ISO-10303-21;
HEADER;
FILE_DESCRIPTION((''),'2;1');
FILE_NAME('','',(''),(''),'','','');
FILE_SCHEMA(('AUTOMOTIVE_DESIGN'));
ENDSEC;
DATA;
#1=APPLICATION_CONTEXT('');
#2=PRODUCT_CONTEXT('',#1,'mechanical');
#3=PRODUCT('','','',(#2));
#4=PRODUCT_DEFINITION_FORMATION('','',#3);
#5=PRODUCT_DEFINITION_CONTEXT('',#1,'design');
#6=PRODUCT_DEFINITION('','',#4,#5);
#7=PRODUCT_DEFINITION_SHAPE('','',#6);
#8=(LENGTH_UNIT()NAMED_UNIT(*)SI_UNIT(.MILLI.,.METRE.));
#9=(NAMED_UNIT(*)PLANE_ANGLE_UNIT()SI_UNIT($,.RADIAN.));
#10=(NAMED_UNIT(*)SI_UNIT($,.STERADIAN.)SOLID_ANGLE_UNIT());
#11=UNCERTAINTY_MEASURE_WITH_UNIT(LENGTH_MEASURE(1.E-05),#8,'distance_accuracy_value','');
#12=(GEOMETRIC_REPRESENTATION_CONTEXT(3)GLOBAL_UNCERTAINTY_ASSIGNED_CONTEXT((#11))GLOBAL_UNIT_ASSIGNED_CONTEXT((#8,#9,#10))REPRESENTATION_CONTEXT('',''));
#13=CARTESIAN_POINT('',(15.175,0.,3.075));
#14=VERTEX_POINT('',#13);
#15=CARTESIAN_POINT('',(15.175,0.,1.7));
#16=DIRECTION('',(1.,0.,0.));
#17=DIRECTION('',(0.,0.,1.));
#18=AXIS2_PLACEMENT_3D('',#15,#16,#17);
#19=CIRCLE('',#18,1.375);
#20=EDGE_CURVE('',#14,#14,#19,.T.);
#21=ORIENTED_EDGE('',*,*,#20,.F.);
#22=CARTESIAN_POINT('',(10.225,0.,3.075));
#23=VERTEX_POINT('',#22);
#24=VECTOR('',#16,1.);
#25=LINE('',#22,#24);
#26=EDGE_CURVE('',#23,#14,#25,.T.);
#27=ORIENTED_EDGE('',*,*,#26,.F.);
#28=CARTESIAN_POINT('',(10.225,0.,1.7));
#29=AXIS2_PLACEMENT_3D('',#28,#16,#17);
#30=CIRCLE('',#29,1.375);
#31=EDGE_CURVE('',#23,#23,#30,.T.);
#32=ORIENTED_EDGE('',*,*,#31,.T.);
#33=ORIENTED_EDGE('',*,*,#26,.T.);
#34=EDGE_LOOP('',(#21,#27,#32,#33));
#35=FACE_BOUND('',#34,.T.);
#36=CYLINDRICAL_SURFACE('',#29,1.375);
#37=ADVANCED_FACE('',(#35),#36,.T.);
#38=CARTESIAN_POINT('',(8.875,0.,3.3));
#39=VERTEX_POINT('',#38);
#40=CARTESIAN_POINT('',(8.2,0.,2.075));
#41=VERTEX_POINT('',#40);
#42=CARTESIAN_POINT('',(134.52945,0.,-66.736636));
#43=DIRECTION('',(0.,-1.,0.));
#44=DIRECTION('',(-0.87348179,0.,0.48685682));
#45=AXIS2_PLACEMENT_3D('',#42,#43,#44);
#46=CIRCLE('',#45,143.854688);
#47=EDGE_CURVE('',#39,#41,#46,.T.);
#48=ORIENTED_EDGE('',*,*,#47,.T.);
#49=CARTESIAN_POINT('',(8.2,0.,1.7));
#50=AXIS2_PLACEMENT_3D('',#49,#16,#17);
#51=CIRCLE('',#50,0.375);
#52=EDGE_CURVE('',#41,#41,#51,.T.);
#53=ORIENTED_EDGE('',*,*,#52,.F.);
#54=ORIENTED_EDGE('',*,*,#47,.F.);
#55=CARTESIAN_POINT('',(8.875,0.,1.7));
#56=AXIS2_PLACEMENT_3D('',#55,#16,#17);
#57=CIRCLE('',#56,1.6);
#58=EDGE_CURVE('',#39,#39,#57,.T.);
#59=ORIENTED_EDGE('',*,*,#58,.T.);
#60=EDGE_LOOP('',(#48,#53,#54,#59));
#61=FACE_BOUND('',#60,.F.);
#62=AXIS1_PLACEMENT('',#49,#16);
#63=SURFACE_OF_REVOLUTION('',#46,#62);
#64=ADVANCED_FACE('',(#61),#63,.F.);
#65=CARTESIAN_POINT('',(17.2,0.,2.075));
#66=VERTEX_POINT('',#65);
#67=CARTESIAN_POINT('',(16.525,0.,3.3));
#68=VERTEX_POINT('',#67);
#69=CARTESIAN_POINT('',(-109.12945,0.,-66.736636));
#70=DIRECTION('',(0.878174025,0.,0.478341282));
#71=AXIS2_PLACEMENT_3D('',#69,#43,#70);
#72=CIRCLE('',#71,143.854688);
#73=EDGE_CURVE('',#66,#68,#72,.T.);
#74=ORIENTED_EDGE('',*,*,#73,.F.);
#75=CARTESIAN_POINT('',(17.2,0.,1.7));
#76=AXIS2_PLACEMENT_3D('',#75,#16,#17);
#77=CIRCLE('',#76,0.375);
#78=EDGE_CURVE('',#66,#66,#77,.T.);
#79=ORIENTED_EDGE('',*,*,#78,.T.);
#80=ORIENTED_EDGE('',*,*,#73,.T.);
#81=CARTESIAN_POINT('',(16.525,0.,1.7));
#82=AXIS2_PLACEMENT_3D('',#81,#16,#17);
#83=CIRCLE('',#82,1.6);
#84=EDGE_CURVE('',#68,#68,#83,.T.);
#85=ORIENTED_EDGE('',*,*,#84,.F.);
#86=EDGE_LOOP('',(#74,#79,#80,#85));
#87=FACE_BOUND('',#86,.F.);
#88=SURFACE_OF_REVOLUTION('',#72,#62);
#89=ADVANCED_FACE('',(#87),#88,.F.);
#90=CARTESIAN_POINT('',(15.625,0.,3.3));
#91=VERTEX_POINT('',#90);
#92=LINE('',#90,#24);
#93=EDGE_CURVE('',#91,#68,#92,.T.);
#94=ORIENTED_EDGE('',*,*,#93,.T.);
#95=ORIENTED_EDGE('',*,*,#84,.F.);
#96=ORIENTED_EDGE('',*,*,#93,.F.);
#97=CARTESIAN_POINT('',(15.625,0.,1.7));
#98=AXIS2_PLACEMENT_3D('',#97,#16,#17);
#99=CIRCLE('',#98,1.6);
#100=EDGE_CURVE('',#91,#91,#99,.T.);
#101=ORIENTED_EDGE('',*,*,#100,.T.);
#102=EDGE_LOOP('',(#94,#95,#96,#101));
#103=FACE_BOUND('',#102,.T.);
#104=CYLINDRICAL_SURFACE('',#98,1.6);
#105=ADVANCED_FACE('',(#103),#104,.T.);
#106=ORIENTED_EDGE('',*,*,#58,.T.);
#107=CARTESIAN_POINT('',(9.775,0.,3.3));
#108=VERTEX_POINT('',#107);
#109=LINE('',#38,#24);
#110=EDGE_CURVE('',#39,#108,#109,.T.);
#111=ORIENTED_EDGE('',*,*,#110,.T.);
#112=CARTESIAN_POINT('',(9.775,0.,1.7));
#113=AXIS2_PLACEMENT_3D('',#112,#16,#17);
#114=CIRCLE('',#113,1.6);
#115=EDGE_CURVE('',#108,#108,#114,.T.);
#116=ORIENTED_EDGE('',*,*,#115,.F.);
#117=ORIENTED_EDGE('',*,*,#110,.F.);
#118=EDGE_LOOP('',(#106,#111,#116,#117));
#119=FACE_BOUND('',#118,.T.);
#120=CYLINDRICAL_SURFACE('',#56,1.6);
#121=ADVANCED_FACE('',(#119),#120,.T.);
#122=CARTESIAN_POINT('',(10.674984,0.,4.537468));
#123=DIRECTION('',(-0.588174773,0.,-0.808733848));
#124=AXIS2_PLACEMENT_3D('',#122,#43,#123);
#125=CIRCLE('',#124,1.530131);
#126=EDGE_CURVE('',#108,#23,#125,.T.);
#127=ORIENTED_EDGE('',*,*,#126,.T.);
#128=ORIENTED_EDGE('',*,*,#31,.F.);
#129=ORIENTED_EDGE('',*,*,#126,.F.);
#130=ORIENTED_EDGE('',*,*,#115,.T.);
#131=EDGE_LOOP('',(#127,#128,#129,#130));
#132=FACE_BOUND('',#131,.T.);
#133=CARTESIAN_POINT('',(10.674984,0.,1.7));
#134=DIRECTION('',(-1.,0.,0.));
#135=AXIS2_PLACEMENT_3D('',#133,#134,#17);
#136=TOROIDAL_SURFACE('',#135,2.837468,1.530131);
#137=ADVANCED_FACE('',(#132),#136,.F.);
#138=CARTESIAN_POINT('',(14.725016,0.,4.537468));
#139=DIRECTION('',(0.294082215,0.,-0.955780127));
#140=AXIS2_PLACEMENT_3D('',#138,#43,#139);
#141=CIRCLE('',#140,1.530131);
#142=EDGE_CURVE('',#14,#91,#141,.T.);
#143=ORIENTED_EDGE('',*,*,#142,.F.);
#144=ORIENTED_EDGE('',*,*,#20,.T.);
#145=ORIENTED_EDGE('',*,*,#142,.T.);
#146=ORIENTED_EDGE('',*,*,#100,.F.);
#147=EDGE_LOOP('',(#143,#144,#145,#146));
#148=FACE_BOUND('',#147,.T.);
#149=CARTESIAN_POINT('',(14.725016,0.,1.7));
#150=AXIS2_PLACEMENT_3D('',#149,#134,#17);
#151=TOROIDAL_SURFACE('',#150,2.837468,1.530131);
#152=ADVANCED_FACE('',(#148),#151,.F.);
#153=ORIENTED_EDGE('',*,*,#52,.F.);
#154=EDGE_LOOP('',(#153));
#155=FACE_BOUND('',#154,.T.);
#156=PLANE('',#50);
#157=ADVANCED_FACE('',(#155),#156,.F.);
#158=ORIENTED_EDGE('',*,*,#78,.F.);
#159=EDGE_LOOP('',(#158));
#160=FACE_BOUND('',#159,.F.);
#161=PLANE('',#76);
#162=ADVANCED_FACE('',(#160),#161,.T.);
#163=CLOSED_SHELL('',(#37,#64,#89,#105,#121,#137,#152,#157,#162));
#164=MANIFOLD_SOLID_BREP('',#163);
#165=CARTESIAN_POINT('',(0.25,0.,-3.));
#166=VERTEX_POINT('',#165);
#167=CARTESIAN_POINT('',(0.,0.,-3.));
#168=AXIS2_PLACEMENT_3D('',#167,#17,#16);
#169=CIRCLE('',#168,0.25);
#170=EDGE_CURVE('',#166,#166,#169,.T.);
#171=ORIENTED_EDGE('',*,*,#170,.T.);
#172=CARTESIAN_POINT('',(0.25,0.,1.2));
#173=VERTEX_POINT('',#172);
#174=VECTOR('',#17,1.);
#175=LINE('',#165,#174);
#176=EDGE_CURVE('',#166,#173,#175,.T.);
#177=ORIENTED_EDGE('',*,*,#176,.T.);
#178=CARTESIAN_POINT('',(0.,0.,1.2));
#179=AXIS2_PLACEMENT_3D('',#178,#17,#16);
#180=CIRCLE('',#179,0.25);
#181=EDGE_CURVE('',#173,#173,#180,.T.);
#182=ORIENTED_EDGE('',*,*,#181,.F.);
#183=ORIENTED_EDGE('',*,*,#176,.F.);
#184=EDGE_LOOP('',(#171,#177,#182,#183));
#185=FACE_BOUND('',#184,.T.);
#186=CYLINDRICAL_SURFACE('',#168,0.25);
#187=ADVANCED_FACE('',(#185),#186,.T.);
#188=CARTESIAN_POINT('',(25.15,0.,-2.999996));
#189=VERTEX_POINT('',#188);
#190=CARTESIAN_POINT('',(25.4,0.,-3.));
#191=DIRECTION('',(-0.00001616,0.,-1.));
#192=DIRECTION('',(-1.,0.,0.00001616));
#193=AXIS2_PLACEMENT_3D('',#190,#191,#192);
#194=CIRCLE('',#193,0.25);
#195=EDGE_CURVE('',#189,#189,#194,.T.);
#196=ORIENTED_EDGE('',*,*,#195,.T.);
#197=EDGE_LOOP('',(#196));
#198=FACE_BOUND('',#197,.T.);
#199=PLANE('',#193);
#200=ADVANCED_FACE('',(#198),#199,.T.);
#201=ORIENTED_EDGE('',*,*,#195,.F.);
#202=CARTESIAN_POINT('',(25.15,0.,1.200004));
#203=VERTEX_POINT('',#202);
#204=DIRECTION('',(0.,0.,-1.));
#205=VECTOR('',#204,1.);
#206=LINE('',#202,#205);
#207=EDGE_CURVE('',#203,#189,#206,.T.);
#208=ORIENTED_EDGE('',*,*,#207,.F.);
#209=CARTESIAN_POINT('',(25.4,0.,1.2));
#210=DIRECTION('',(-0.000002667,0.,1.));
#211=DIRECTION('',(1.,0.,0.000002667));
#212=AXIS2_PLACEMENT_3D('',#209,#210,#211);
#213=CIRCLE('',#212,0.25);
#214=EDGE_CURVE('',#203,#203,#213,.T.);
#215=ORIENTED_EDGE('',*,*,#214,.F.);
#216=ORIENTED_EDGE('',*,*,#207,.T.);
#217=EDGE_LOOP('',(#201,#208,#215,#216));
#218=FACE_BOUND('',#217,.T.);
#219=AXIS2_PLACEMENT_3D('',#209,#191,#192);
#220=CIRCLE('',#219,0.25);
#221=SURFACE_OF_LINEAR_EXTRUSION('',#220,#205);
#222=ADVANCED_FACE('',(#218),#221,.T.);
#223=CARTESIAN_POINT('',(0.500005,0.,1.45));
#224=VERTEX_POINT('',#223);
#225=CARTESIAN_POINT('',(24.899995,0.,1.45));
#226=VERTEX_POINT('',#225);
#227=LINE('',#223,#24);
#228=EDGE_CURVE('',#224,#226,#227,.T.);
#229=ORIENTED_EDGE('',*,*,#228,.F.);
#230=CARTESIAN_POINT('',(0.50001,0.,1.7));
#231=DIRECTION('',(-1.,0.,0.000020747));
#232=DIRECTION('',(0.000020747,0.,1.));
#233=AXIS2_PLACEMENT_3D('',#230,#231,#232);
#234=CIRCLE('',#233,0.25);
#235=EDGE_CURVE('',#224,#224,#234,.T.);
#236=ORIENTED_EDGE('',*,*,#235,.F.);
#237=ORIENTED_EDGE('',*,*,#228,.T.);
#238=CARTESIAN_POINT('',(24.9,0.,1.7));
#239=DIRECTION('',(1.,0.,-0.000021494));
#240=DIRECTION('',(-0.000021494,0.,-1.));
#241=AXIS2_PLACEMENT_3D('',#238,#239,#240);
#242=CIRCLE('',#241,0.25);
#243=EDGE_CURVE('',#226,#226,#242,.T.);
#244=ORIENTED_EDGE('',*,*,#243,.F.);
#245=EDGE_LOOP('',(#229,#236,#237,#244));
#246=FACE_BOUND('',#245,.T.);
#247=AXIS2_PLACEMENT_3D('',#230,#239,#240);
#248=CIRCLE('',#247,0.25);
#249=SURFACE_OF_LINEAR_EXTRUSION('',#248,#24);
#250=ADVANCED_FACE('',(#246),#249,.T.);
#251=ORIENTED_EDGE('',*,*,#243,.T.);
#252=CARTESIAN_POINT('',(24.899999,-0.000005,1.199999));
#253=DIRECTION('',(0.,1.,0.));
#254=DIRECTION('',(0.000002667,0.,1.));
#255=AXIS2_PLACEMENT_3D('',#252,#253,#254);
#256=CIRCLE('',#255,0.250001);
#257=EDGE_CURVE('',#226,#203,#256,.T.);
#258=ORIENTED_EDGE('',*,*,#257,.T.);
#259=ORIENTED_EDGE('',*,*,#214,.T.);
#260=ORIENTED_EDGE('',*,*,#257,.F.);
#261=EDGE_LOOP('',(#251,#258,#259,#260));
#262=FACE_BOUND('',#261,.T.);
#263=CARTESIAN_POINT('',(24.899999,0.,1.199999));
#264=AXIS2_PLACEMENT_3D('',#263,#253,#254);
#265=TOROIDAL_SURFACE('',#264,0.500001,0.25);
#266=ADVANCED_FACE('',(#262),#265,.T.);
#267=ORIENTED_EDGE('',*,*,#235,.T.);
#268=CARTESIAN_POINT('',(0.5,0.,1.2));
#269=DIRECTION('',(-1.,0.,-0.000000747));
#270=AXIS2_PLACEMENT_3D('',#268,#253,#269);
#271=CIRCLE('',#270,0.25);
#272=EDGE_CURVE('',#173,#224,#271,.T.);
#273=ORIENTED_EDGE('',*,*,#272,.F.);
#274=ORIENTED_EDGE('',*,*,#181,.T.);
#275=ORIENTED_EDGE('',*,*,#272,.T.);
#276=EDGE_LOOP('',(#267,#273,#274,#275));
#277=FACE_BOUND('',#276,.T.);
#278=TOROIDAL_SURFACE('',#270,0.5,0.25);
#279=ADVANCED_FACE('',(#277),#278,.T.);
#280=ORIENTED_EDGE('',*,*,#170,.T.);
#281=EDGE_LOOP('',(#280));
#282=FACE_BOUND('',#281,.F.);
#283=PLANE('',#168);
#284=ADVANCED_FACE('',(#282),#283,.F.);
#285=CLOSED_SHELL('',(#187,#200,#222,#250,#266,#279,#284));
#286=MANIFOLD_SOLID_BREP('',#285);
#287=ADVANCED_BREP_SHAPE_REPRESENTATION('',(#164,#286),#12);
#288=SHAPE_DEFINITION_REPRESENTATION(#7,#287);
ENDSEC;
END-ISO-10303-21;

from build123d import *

# Parameters (mm, degrees)
SKETCH_R = 0.25


with BuildPart() as revolution:
    # Sketch002 → Revolution (revolve)
    with BuildSketch(Plane.XZ):
        with BuildLine():
            Line((8.875, 3.3), (9.775, 3.3))
            ThreePointArc((9.775, 3.3), (9.990689, 3.168878), (10.225, 3.075))
            Line((10.225, 3.075), (15.175, 3.075))
            ThreePointArc((15.175, 3.075), (15.409311, 3.168878), (15.625, 3.3))
            Line((15.625, 3.3), (16.525, 3.3))
            ThreePointArc((17.2, 2.075), (16.863989, 2.68832), (16.525, 3.3))
            Line((17.2, 1.7), (17.2, 2.075))
            Line((8.2, 1.7), (17.2, 1.7))
            Line((8.2, 1.7), (8.2, 2.075))
            ThreePointArc((8.875, 3.3), (8.536011, 2.68832), (8.2, 2.075))
        make_face()
    revolve(axis=Axis((8.2, 0, 1.7), (1, 0, 0)))


with BuildPart() as sweep_body:
    # Sweep: sweep along a path in Sketch001
    with BuildLine(Plane.XZ) as sweep_path:
        Line((0, -3), (0, 1.2))
        ThreePointArc((0, 1.2), (0.14645, 1.553557), (0.50001, 1.7))
        Line((0.50001, 1.7), (24.9, 1.7))
        ThreePointArc((24.9, 1.7), (25.253553, 1.553553), (25.4, 1.2))
        Line((25.4, 1.2), (25.4, -3))
    # Sketch → Sweep (sweep)
    with BuildSketch(Plane.XY.offset(-2)):
        Circle(SKETCH_R)
    sweep(path=sweep_path.line)


solid = Compound([revolution.part, sweep_body.part])
